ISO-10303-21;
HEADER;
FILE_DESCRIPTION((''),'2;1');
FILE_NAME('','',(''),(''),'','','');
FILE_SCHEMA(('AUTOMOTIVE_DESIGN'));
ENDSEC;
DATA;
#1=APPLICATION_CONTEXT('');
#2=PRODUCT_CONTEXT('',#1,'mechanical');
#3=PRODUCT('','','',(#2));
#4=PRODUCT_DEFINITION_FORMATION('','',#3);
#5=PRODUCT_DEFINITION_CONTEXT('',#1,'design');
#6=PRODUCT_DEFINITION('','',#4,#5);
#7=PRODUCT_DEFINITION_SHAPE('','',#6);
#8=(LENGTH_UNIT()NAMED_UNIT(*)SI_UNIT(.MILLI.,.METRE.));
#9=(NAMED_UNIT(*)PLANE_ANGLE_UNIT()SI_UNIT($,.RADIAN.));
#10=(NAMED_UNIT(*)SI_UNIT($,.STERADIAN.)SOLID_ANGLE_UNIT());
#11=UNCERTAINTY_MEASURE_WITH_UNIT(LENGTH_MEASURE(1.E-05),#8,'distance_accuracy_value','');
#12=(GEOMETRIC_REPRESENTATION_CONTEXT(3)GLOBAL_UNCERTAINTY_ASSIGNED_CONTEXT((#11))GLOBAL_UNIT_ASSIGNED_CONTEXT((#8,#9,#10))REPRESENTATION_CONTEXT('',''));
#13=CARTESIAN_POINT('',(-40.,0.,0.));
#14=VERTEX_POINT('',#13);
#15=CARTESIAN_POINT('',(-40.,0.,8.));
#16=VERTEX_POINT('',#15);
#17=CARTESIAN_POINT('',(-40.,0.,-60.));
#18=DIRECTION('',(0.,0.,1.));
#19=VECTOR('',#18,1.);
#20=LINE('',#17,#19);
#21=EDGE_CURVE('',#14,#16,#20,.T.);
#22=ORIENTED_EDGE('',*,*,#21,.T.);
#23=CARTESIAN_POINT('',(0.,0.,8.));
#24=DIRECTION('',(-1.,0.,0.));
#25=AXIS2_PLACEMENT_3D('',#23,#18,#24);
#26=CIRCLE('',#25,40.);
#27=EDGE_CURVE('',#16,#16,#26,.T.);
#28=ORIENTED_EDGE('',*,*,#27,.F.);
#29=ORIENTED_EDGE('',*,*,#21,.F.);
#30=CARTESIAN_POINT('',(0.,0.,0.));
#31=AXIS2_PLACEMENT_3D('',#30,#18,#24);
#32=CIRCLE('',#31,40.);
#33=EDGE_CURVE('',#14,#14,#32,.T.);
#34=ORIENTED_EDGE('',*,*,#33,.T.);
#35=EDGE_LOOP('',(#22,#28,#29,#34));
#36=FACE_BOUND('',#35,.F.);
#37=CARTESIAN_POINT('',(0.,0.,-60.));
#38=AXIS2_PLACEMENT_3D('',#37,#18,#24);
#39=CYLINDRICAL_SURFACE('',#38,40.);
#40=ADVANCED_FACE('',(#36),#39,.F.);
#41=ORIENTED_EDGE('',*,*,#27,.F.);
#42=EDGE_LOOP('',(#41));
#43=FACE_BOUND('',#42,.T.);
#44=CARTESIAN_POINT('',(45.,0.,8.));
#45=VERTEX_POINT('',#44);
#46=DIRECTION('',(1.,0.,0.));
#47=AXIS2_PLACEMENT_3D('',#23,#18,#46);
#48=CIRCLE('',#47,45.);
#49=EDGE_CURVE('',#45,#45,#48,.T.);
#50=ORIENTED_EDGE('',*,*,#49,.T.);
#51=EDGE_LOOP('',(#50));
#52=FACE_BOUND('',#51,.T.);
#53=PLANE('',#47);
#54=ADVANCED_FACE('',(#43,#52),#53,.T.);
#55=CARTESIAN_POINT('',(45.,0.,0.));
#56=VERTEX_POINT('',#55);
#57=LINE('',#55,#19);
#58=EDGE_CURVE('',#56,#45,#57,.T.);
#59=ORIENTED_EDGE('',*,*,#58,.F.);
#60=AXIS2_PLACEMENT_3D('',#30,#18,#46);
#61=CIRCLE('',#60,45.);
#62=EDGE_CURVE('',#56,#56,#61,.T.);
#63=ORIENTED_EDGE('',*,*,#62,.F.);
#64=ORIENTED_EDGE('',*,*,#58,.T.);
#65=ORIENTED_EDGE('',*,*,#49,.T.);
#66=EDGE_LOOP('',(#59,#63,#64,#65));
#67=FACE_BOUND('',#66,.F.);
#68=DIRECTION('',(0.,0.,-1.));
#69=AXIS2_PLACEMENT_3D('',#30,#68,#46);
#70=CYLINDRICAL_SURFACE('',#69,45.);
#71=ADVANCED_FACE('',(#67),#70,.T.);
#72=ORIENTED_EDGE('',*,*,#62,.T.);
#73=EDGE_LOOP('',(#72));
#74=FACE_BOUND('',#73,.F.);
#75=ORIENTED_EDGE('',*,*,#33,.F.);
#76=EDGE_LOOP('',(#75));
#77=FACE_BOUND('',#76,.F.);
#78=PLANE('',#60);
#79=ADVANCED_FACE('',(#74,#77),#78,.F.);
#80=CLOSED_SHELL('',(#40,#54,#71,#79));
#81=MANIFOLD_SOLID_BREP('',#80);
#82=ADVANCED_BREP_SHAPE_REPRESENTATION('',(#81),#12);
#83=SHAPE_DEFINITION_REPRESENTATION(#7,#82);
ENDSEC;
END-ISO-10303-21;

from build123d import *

# Parameters (mm, degrees)
F0_R     = 45
F1_DEPTH = 8
F2_D     = 80
F2_DEPTH = 60


with BuildPart() as f1:
    # F0 (on Top) → F1 (new body)
    with BuildSketch(Plane.XY):
        Circle(F0_R)
    extrude(amount=F1_DEPTH)

    # F2
    with Locations(Plane(origin=(0, 0, 0), x_dir=(1, 0, 0), z_dir=(0, 0, -1))):
        with Locations((0, 0)):
            Hole(F2_D / 2, depth=F2_DEPTH)


solid = f1.part
